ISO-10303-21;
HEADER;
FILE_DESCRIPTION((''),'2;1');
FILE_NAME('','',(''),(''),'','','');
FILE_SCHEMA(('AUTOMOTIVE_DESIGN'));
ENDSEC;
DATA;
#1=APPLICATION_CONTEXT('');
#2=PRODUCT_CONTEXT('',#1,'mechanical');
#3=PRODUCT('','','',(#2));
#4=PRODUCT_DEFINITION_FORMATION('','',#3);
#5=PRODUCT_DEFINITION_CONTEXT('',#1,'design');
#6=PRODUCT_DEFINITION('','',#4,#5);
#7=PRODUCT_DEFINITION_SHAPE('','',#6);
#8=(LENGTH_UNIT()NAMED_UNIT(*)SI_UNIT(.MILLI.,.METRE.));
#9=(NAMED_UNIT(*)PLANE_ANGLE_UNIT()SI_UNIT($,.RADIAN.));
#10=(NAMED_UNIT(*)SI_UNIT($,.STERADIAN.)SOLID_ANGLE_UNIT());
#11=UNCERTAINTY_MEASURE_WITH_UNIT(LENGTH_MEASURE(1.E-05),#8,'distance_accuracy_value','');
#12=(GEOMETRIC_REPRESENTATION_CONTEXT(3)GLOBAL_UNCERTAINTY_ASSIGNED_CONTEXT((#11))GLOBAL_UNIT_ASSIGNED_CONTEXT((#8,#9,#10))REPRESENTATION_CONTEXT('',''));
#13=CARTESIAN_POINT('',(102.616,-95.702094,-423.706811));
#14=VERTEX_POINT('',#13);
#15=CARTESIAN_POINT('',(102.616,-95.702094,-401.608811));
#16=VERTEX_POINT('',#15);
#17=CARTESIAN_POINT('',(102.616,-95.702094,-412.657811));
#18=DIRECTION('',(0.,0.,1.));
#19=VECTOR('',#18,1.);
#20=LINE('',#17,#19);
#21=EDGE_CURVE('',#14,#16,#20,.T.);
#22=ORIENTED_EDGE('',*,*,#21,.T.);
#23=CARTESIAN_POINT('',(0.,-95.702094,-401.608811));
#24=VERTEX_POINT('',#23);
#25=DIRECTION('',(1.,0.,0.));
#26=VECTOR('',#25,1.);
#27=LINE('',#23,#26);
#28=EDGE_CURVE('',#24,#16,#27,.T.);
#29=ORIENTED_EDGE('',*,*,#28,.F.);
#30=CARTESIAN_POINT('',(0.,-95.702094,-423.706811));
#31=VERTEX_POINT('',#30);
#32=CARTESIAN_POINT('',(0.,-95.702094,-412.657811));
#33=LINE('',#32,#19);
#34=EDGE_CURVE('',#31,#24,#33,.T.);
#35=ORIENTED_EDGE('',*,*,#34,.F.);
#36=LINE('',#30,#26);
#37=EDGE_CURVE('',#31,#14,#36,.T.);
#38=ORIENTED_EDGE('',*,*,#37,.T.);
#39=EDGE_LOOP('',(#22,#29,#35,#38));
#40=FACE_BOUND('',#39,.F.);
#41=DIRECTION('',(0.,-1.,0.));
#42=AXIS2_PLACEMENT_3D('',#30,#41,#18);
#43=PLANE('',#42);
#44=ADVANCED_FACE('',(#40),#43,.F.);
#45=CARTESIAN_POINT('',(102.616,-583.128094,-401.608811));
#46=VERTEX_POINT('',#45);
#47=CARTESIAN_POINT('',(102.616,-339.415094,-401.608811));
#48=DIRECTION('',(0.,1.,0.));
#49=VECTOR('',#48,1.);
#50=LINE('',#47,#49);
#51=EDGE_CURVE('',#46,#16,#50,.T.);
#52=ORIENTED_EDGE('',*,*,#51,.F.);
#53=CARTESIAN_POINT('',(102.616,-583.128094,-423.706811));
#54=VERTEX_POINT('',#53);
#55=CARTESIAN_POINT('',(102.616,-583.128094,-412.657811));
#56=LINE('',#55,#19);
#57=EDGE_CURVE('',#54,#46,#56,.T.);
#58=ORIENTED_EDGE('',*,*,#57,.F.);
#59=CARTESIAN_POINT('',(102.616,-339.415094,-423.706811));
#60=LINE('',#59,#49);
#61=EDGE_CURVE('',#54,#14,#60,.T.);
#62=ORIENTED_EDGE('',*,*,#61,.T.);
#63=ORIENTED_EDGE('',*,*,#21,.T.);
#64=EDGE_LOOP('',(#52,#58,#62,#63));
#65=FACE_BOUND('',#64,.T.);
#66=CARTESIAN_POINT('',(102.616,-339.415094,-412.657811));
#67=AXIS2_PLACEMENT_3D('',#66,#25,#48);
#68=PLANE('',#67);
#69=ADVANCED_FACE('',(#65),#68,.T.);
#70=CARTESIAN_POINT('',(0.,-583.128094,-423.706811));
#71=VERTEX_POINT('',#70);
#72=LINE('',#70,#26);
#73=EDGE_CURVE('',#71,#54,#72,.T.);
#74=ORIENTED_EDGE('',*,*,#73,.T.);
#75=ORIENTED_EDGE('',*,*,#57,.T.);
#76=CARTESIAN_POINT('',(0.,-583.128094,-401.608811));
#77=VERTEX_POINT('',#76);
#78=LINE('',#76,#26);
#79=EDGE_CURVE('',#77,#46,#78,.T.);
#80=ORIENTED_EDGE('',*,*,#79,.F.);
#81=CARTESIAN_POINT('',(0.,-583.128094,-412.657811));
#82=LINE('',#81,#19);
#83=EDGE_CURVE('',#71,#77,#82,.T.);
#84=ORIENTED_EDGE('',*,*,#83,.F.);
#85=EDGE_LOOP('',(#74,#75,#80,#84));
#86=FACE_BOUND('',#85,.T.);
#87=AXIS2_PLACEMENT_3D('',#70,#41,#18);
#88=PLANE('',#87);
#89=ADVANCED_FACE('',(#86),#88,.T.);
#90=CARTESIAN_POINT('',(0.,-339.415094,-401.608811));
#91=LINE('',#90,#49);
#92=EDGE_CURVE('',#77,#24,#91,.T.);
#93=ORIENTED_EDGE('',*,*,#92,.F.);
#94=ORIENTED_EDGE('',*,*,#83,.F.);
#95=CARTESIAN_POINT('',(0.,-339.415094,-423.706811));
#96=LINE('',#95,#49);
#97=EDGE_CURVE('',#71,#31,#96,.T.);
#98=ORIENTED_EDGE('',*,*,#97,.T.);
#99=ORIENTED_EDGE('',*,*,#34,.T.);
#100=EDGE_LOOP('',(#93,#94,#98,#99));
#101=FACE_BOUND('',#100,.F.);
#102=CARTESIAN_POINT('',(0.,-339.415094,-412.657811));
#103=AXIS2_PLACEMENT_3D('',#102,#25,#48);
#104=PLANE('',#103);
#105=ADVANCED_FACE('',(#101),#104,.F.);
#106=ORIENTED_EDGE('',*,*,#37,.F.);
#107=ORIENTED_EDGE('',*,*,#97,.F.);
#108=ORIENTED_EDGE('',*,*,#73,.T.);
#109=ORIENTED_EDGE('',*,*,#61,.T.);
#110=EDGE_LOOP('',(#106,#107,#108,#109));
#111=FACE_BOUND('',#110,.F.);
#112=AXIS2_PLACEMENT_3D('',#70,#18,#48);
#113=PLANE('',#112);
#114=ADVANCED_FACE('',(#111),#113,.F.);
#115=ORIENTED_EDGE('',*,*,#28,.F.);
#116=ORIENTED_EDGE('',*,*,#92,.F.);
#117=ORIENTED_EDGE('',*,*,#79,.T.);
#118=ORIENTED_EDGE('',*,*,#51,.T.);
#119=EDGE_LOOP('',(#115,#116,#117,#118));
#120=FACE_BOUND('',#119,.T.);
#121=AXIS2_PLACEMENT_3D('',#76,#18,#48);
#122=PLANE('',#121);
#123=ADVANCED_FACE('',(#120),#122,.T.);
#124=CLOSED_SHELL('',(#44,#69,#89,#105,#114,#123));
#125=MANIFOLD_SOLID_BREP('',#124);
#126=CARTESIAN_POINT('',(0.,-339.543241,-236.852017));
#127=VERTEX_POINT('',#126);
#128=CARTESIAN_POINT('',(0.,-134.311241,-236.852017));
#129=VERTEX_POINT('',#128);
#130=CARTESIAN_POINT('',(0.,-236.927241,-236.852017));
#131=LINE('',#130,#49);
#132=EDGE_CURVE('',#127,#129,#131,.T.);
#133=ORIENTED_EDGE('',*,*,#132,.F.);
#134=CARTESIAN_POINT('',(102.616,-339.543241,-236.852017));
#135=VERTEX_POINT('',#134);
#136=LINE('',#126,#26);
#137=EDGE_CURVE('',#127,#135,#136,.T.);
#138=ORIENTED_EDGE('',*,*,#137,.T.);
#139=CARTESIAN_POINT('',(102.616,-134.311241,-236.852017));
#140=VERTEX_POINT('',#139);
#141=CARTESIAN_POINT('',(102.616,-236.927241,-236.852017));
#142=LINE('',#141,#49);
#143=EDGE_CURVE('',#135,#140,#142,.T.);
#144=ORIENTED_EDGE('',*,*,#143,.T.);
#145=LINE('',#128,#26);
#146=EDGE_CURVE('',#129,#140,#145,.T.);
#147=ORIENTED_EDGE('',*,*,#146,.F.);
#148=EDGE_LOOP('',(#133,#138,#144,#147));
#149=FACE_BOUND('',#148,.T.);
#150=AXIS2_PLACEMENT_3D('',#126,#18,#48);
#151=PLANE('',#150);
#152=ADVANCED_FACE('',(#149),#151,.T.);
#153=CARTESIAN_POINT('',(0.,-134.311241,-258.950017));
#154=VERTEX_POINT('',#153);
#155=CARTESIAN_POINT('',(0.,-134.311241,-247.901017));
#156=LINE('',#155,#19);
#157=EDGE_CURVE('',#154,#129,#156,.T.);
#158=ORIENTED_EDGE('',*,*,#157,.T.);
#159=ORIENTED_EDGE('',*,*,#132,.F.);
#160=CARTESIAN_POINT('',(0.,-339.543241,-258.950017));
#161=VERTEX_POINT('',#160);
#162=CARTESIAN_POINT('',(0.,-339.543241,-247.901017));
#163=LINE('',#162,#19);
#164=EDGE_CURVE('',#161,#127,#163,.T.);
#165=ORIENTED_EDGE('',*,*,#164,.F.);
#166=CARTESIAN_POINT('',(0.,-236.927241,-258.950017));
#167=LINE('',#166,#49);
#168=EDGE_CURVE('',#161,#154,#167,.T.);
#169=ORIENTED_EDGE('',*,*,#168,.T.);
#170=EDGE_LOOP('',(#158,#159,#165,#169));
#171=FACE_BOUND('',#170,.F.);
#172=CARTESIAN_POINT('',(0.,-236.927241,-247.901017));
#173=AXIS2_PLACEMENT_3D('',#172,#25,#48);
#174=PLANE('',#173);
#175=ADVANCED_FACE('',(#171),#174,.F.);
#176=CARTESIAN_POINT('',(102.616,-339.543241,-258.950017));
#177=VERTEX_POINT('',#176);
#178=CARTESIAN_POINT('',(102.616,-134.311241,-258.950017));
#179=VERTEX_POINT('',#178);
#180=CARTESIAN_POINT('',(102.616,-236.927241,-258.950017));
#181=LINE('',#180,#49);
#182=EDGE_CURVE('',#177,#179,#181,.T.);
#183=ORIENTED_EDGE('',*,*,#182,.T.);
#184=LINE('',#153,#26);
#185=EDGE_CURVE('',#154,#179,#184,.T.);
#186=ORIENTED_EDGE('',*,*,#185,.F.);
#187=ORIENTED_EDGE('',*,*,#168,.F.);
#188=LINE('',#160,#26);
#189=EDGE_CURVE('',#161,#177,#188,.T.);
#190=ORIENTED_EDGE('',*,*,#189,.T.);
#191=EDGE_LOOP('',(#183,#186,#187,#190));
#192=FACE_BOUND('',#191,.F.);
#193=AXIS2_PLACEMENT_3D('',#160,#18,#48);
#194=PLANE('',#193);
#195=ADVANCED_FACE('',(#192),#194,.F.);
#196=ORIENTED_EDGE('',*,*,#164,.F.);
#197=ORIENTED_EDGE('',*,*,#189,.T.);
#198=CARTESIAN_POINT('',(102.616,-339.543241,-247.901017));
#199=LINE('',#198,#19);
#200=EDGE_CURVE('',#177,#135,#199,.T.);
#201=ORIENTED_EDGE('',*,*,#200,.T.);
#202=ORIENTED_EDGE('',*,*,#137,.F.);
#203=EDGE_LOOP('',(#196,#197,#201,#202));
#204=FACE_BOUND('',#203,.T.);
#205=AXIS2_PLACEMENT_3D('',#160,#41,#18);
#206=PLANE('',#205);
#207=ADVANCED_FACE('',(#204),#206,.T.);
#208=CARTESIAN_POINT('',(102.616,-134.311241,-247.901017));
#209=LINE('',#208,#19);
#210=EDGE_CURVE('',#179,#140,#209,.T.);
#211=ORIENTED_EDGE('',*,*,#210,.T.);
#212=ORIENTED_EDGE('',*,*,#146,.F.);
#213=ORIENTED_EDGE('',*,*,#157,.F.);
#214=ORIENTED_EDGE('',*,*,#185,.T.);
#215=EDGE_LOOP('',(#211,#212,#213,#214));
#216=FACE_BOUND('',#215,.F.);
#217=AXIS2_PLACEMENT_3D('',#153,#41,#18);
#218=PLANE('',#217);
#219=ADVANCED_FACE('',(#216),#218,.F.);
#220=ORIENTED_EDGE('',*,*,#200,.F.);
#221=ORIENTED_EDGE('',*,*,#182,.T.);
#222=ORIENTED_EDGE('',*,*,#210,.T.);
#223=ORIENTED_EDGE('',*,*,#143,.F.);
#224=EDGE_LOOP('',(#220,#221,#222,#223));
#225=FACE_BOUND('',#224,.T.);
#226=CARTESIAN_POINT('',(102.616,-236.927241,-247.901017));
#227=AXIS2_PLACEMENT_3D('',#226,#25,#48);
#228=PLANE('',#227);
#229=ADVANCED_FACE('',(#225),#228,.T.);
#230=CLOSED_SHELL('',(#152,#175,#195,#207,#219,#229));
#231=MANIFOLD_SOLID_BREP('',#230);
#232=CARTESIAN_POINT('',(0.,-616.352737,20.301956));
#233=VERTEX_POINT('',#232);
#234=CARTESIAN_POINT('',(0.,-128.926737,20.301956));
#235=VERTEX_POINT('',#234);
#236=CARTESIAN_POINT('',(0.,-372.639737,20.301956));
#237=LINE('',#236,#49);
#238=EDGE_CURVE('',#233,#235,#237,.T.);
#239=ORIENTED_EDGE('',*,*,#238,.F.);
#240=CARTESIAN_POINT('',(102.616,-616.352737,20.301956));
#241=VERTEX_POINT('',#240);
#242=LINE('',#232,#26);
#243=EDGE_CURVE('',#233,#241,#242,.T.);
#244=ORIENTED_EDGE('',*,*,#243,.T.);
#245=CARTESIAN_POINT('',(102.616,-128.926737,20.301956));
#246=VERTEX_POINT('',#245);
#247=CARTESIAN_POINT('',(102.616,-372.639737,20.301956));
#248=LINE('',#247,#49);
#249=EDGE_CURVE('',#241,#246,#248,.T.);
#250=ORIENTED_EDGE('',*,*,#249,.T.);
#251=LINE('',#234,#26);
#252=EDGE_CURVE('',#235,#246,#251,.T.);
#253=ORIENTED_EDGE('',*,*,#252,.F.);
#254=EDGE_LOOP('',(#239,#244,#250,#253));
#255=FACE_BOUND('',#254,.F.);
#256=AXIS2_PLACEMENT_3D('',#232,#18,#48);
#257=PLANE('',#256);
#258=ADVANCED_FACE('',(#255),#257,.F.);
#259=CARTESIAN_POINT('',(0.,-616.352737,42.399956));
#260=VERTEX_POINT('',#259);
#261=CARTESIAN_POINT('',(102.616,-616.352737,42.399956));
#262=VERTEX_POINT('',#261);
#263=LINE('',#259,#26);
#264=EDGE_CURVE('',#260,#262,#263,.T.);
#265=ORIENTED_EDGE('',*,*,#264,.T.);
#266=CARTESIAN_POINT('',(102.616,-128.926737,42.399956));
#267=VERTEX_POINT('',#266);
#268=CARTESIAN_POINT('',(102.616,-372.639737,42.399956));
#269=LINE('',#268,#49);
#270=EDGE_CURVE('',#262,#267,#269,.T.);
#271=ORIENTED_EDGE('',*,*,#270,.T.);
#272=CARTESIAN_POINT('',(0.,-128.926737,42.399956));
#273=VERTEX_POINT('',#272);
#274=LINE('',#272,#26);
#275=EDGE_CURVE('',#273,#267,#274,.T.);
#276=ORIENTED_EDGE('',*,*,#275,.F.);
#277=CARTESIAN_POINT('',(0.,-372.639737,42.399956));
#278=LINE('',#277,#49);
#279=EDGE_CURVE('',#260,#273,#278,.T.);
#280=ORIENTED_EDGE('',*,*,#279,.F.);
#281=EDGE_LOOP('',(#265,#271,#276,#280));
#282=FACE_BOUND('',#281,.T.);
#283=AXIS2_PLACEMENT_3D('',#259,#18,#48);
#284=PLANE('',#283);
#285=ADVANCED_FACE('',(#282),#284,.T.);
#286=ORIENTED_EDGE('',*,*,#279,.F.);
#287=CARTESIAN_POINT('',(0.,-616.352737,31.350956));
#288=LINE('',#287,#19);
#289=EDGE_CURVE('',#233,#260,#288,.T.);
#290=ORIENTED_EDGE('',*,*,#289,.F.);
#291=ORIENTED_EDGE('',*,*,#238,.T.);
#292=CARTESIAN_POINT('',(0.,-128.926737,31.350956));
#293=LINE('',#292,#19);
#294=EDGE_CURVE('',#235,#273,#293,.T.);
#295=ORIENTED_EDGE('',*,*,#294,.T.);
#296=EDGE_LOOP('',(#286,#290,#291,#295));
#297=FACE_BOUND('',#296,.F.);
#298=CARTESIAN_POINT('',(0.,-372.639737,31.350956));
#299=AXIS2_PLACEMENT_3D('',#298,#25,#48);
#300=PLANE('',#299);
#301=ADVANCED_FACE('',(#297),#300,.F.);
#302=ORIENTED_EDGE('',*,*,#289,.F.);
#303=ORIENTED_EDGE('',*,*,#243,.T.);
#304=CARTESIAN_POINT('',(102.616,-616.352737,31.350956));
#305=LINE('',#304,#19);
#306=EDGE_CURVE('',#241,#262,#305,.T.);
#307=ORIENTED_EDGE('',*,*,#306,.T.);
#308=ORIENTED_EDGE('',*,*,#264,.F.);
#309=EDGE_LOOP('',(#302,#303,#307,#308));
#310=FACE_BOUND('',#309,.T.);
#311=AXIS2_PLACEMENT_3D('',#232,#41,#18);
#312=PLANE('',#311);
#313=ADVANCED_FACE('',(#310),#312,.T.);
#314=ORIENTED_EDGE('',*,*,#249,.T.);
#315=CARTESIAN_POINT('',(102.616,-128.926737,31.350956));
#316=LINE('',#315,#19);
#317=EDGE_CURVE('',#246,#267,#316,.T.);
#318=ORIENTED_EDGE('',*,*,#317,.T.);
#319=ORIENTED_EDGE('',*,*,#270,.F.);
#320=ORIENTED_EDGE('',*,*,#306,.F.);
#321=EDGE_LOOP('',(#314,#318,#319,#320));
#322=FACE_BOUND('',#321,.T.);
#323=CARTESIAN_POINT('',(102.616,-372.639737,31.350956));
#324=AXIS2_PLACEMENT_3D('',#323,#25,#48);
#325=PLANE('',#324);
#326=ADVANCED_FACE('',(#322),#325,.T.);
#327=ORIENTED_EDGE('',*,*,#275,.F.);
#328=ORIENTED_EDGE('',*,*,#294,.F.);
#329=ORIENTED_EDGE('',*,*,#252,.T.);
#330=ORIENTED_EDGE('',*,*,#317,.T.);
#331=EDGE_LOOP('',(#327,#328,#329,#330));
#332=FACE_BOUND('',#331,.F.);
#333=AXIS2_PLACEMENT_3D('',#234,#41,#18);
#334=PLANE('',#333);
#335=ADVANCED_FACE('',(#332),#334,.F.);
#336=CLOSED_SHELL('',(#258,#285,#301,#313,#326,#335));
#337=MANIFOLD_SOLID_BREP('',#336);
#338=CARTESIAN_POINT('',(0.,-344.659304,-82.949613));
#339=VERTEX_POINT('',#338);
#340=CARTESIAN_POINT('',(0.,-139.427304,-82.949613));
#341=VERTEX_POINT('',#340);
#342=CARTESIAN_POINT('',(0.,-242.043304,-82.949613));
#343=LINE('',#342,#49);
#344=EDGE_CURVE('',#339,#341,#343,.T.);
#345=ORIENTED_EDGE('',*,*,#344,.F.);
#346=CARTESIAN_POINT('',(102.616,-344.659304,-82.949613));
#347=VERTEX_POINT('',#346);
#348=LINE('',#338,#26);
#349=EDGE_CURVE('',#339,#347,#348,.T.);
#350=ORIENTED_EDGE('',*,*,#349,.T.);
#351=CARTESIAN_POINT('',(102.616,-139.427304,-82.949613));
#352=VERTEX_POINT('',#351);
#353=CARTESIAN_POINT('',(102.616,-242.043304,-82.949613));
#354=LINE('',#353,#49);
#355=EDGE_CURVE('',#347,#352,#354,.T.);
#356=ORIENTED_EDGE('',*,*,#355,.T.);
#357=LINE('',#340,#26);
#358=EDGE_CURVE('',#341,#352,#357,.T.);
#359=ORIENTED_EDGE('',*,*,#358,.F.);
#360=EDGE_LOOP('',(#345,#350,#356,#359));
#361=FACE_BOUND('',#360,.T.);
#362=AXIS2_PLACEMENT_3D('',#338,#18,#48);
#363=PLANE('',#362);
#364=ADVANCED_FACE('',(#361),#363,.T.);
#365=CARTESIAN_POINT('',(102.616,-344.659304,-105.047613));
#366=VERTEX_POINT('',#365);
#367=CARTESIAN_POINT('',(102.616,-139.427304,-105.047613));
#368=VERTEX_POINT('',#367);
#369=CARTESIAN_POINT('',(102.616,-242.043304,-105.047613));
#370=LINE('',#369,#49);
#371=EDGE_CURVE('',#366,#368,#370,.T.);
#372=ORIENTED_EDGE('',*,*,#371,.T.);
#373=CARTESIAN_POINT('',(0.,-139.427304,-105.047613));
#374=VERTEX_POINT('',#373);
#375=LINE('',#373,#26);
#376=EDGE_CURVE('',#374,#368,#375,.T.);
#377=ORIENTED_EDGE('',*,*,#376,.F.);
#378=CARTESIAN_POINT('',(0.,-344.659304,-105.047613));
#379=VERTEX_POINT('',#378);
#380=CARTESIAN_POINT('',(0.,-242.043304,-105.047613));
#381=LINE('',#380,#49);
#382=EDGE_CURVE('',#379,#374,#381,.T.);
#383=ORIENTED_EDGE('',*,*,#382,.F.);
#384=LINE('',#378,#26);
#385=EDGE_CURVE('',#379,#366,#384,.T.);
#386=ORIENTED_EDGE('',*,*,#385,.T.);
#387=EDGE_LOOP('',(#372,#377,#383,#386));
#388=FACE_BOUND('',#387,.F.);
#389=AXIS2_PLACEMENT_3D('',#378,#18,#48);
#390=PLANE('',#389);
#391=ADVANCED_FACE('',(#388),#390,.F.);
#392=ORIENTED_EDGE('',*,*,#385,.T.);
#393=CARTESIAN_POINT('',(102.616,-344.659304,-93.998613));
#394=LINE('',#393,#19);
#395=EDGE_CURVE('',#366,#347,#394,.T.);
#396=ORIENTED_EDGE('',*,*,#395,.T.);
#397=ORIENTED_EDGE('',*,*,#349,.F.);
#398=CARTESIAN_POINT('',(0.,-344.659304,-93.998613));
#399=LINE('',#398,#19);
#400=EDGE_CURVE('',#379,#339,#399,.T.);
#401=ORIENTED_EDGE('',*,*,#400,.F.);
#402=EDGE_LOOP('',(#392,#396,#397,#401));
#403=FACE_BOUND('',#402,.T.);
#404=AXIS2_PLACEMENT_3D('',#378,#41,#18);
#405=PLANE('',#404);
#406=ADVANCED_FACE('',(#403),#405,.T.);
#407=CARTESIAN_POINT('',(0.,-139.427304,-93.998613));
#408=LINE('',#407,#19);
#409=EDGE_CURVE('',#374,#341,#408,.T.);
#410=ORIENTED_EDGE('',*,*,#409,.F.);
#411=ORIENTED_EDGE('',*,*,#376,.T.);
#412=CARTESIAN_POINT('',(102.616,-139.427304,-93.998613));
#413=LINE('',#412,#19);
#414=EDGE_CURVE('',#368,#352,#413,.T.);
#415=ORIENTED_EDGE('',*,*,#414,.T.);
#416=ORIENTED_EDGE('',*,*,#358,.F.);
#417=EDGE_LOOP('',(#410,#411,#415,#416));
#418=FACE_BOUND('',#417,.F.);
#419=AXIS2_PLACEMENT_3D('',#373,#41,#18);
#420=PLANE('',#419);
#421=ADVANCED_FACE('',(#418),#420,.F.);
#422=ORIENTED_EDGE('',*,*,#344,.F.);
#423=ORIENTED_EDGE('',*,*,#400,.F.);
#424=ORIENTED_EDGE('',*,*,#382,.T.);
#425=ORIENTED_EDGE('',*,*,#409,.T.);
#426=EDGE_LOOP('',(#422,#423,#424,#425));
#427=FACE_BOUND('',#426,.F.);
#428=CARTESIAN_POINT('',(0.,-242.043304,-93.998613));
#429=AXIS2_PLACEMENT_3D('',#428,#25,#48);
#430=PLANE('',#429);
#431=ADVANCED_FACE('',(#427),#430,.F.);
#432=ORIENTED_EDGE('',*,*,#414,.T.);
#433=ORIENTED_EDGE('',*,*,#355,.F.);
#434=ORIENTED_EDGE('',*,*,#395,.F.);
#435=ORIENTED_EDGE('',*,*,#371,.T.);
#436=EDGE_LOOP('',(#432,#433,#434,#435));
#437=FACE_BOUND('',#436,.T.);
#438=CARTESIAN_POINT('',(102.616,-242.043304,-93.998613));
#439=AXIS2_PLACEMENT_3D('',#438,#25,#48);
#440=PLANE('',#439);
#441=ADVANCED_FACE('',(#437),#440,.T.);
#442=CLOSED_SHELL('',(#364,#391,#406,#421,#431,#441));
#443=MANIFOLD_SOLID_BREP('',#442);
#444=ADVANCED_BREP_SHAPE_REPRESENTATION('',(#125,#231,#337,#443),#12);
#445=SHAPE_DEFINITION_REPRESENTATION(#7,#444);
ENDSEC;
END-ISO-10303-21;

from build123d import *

# Parameters (mm, degrees)
F0_W     = 487.426
F0_H     = 22.098
F0_W_2   = 205.232
F1_DEPTH = 102.616


with BuildPart() as f1:
    # F0 (on Right) → F1 (new body)
    with BuildSketch(Plane.YZ):
        with Locations((-372.639737, 31.350956)):
            Rectangle(F0_W, F0_H)
        with Locations((-242.043304, -93.998613)):
            Rectangle(F0_W_2, F0_H)
        with Locations((-236.927241, -247.901017)):
            Rectangle(F0_W_2, F0_H)
        with Locations((-339.415094, -412.657811)):
            Rectangle(F0_W, F0_H)
    extrude(amount=F1_DEPTH)


solid = f1.part
